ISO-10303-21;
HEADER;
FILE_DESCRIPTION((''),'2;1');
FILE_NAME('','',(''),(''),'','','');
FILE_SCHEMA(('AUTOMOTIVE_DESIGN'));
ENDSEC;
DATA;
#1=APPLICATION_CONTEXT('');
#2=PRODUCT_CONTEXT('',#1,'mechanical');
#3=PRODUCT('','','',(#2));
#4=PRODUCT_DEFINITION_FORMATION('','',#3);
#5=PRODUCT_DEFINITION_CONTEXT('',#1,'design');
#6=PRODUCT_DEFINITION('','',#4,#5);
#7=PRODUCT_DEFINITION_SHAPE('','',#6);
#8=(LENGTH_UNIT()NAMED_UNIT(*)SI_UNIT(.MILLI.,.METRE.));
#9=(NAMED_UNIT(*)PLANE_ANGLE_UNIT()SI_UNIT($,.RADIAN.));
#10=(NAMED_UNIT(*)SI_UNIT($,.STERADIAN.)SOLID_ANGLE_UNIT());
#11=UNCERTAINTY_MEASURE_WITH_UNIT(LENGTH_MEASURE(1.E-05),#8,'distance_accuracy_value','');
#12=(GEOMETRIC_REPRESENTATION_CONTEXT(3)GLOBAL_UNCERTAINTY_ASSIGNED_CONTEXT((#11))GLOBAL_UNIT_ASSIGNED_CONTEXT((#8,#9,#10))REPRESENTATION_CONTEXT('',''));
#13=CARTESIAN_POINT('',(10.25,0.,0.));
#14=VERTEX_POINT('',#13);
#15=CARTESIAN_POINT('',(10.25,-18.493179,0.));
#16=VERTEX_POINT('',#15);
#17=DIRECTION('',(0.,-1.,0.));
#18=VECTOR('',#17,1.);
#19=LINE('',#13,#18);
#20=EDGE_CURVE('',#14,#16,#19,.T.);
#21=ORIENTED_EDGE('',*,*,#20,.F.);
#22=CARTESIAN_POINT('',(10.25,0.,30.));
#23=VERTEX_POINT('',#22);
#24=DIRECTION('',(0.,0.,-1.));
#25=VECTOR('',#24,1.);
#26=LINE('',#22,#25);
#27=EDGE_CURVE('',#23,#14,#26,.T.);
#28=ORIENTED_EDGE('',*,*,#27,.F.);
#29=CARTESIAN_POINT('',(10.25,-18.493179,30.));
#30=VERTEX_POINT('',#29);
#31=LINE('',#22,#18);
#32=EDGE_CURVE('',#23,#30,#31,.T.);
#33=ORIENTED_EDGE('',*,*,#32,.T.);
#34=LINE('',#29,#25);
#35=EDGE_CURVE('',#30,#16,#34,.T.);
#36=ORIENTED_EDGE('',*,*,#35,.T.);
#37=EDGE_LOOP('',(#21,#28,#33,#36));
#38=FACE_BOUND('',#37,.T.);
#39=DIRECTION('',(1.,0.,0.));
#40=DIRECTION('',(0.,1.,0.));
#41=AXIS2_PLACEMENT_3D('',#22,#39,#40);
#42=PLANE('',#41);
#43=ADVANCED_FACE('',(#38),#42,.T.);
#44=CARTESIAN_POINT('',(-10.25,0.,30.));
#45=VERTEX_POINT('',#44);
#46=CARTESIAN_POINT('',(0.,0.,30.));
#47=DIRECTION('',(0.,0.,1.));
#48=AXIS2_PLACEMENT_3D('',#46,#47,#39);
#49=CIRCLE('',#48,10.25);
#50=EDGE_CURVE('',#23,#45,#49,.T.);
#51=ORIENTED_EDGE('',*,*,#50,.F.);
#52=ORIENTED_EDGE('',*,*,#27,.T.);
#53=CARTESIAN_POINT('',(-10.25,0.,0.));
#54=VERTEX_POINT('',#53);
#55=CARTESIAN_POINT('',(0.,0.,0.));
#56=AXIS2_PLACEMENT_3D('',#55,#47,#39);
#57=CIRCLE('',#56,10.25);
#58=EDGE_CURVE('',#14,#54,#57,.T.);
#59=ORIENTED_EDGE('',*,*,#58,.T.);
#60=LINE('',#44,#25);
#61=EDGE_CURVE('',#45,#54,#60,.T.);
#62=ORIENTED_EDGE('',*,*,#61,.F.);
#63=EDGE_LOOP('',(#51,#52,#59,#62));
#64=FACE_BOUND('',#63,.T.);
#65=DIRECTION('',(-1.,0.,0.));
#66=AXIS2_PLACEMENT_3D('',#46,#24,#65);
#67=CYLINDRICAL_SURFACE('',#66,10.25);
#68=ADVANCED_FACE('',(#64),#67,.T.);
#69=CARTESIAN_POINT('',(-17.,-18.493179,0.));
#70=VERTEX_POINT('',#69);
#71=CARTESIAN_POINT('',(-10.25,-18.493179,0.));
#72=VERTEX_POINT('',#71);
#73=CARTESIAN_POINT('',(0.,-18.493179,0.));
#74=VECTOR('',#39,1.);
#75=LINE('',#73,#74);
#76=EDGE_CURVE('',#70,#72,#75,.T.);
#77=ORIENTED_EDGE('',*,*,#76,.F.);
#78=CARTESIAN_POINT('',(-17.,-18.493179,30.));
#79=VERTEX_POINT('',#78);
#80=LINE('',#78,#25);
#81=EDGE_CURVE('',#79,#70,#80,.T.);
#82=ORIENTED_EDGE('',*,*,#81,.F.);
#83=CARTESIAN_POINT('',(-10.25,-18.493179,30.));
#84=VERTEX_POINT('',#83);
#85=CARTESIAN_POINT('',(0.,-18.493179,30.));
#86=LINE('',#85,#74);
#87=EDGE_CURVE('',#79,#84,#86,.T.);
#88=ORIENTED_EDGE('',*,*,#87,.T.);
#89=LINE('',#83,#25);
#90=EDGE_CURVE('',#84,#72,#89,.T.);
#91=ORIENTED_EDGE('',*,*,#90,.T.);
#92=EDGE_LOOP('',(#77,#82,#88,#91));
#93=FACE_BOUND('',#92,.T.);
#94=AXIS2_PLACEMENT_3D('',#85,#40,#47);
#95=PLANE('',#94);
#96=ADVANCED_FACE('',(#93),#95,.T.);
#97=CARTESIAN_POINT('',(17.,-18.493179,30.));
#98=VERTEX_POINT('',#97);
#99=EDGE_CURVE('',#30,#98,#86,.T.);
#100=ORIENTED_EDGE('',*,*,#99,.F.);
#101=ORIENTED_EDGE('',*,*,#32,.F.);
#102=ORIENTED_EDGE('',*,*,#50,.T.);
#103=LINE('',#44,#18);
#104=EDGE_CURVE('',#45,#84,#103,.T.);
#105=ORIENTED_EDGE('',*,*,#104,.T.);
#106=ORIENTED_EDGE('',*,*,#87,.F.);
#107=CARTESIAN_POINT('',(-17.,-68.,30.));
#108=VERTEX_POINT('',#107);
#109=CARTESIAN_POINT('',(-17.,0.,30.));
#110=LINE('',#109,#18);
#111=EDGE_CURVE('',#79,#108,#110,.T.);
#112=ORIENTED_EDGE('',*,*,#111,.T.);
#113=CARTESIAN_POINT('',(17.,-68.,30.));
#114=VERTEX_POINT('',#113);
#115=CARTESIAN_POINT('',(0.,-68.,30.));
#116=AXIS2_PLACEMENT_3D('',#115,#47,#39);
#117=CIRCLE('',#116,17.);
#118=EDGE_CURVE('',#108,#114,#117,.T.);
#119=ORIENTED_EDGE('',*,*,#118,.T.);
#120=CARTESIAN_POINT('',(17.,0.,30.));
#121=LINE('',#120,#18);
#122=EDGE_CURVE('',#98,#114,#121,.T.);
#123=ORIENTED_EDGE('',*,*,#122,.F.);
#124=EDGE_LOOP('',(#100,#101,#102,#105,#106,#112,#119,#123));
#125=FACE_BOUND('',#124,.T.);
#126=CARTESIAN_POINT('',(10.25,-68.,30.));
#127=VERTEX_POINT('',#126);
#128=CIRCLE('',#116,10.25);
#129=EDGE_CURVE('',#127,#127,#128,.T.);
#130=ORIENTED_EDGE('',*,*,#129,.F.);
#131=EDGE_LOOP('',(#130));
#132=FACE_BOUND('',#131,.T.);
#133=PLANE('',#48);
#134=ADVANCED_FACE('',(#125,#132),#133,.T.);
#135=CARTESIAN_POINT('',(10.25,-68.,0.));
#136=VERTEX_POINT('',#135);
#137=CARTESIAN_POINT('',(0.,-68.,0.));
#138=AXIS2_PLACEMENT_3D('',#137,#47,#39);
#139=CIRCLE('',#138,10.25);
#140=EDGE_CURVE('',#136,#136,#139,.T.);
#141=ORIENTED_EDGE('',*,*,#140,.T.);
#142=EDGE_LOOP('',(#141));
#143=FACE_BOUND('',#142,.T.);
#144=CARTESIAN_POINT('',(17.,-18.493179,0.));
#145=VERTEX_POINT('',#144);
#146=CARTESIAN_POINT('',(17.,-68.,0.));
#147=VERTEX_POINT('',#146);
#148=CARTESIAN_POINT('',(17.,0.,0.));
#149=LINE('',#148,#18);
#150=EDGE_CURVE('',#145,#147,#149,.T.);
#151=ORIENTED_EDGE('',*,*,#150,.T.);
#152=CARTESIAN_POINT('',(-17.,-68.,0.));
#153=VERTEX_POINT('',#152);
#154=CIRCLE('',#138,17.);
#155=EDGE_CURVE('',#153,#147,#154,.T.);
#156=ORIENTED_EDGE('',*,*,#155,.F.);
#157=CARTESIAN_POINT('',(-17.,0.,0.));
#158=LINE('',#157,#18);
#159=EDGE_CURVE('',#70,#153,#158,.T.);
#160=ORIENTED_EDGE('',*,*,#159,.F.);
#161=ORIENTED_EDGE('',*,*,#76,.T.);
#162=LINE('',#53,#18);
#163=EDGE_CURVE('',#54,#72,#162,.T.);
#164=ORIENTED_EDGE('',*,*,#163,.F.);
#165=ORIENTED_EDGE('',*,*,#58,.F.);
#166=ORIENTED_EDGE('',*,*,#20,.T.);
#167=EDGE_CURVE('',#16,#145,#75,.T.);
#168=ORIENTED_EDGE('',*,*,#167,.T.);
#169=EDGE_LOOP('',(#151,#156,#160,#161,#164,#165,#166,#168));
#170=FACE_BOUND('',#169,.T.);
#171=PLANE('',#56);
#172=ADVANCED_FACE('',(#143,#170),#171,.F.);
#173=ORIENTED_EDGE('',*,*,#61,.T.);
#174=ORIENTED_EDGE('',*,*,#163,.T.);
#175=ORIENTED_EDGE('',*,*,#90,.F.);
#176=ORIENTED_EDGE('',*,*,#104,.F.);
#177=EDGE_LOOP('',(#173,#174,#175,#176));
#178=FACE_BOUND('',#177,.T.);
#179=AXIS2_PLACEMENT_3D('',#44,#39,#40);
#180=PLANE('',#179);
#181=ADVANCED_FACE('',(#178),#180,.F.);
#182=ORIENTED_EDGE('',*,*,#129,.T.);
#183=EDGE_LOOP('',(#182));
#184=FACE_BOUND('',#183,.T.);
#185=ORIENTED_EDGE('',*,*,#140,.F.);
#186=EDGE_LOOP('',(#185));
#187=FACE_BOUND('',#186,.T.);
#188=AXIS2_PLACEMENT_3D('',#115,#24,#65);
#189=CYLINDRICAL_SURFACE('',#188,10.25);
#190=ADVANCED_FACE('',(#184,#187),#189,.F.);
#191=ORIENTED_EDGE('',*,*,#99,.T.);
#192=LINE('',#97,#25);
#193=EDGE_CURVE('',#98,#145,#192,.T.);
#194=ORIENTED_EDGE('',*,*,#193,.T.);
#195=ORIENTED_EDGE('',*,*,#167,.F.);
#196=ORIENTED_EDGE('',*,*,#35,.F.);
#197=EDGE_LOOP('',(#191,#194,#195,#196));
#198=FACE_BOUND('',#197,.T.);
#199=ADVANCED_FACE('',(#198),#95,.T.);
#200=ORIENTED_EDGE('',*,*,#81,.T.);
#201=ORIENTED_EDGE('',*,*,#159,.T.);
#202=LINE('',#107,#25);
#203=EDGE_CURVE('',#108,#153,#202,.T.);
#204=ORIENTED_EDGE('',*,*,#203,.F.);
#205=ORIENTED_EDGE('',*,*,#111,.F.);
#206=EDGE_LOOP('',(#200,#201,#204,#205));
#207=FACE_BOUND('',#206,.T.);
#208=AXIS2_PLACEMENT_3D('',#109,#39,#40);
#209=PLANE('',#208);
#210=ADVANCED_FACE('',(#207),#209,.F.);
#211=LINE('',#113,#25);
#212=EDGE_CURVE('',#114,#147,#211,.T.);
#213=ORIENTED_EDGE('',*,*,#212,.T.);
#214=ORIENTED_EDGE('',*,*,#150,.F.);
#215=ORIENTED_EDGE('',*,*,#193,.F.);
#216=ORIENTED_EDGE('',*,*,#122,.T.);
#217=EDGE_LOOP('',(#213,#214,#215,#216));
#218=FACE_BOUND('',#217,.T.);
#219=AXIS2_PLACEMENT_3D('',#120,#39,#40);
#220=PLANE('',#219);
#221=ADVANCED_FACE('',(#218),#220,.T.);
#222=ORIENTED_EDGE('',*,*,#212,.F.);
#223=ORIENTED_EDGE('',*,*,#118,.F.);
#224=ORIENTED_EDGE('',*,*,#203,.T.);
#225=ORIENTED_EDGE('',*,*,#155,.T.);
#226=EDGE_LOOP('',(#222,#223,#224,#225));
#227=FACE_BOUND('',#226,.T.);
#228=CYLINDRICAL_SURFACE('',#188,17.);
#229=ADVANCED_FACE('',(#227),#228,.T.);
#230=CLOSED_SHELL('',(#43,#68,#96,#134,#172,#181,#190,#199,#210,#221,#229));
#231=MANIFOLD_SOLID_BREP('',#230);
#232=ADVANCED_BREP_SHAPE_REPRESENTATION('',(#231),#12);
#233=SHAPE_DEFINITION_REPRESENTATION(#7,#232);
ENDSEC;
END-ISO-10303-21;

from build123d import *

# Parameters (mm, degrees)
SKETCH1_W           = 20.5
SKETCH1_H           = 5
BOSS_EXTRUDE1_DEPTH = 30


with BuildPart() as part:
    # Sketch1 → Boss-Extrude1 (new body)
    with BuildSketch(Plane.XY):
        with BuildLine():
            Line((17, -18.493179267), (10.25, -18.493179267))
            Line((10.25, -18.493179267), (10.25, -68))
            ThreePointArc((10.25, -68), (0, -78.25), (-10.25, -68))
            Line((-10.25, -68), (-10.25, -18.493179267))
            Line((-10.25, -18.493179267), (-17, -18.493179267))
            Line((-17, -18.493179267), (-17, -68))
            ThreePointArc((-17, -68), (0, -85), (17, -68))
            Line((17, -68), (17, -18.493179267))
        make_face()
        with BuildLine():
            Line((10.25, -68), (10.25, -18.493179267))
            Line((10.25, -18.493179267), (-10.25, -18.493179267))
            Line((-10.25, -18.493179267), (-10.25, -68))
            ThreePointArc((-10.25, -68), (0, -57.75), (10.25, -68))
        make_face()
        with Locations((0, -15.993179267)):
            Rectangle(SKETCH1_W, SKETCH1_H)
        with BuildLine():
            Line((10.25, -13.493179267), (10.25, 0))
            ThreePointArc((10.25, 0), (0, -10.25), (-10.25, 0))
            Line((-10.25, 0), (-10.25, -13.493179267))
            Line((-10.25, -13.493179267), (10.25, -13.493179267))
        make_face()
        with BuildLine():
            ThreePointArc((-10.25, 0), (0, -10.25), (10.25, 0))
            Line((10.25, 0), (-10.25, 0))
        make_face()
        with BuildLine():
            Line((-10.25, 0), (10.25, 0))
            ThreePointArc((10.25, 0), (0, 10.25), (-10.25, 0))
        make_face()
    extrude(amount=BOSS_EXTRUDE1_DEPTH)


solid = part.part
